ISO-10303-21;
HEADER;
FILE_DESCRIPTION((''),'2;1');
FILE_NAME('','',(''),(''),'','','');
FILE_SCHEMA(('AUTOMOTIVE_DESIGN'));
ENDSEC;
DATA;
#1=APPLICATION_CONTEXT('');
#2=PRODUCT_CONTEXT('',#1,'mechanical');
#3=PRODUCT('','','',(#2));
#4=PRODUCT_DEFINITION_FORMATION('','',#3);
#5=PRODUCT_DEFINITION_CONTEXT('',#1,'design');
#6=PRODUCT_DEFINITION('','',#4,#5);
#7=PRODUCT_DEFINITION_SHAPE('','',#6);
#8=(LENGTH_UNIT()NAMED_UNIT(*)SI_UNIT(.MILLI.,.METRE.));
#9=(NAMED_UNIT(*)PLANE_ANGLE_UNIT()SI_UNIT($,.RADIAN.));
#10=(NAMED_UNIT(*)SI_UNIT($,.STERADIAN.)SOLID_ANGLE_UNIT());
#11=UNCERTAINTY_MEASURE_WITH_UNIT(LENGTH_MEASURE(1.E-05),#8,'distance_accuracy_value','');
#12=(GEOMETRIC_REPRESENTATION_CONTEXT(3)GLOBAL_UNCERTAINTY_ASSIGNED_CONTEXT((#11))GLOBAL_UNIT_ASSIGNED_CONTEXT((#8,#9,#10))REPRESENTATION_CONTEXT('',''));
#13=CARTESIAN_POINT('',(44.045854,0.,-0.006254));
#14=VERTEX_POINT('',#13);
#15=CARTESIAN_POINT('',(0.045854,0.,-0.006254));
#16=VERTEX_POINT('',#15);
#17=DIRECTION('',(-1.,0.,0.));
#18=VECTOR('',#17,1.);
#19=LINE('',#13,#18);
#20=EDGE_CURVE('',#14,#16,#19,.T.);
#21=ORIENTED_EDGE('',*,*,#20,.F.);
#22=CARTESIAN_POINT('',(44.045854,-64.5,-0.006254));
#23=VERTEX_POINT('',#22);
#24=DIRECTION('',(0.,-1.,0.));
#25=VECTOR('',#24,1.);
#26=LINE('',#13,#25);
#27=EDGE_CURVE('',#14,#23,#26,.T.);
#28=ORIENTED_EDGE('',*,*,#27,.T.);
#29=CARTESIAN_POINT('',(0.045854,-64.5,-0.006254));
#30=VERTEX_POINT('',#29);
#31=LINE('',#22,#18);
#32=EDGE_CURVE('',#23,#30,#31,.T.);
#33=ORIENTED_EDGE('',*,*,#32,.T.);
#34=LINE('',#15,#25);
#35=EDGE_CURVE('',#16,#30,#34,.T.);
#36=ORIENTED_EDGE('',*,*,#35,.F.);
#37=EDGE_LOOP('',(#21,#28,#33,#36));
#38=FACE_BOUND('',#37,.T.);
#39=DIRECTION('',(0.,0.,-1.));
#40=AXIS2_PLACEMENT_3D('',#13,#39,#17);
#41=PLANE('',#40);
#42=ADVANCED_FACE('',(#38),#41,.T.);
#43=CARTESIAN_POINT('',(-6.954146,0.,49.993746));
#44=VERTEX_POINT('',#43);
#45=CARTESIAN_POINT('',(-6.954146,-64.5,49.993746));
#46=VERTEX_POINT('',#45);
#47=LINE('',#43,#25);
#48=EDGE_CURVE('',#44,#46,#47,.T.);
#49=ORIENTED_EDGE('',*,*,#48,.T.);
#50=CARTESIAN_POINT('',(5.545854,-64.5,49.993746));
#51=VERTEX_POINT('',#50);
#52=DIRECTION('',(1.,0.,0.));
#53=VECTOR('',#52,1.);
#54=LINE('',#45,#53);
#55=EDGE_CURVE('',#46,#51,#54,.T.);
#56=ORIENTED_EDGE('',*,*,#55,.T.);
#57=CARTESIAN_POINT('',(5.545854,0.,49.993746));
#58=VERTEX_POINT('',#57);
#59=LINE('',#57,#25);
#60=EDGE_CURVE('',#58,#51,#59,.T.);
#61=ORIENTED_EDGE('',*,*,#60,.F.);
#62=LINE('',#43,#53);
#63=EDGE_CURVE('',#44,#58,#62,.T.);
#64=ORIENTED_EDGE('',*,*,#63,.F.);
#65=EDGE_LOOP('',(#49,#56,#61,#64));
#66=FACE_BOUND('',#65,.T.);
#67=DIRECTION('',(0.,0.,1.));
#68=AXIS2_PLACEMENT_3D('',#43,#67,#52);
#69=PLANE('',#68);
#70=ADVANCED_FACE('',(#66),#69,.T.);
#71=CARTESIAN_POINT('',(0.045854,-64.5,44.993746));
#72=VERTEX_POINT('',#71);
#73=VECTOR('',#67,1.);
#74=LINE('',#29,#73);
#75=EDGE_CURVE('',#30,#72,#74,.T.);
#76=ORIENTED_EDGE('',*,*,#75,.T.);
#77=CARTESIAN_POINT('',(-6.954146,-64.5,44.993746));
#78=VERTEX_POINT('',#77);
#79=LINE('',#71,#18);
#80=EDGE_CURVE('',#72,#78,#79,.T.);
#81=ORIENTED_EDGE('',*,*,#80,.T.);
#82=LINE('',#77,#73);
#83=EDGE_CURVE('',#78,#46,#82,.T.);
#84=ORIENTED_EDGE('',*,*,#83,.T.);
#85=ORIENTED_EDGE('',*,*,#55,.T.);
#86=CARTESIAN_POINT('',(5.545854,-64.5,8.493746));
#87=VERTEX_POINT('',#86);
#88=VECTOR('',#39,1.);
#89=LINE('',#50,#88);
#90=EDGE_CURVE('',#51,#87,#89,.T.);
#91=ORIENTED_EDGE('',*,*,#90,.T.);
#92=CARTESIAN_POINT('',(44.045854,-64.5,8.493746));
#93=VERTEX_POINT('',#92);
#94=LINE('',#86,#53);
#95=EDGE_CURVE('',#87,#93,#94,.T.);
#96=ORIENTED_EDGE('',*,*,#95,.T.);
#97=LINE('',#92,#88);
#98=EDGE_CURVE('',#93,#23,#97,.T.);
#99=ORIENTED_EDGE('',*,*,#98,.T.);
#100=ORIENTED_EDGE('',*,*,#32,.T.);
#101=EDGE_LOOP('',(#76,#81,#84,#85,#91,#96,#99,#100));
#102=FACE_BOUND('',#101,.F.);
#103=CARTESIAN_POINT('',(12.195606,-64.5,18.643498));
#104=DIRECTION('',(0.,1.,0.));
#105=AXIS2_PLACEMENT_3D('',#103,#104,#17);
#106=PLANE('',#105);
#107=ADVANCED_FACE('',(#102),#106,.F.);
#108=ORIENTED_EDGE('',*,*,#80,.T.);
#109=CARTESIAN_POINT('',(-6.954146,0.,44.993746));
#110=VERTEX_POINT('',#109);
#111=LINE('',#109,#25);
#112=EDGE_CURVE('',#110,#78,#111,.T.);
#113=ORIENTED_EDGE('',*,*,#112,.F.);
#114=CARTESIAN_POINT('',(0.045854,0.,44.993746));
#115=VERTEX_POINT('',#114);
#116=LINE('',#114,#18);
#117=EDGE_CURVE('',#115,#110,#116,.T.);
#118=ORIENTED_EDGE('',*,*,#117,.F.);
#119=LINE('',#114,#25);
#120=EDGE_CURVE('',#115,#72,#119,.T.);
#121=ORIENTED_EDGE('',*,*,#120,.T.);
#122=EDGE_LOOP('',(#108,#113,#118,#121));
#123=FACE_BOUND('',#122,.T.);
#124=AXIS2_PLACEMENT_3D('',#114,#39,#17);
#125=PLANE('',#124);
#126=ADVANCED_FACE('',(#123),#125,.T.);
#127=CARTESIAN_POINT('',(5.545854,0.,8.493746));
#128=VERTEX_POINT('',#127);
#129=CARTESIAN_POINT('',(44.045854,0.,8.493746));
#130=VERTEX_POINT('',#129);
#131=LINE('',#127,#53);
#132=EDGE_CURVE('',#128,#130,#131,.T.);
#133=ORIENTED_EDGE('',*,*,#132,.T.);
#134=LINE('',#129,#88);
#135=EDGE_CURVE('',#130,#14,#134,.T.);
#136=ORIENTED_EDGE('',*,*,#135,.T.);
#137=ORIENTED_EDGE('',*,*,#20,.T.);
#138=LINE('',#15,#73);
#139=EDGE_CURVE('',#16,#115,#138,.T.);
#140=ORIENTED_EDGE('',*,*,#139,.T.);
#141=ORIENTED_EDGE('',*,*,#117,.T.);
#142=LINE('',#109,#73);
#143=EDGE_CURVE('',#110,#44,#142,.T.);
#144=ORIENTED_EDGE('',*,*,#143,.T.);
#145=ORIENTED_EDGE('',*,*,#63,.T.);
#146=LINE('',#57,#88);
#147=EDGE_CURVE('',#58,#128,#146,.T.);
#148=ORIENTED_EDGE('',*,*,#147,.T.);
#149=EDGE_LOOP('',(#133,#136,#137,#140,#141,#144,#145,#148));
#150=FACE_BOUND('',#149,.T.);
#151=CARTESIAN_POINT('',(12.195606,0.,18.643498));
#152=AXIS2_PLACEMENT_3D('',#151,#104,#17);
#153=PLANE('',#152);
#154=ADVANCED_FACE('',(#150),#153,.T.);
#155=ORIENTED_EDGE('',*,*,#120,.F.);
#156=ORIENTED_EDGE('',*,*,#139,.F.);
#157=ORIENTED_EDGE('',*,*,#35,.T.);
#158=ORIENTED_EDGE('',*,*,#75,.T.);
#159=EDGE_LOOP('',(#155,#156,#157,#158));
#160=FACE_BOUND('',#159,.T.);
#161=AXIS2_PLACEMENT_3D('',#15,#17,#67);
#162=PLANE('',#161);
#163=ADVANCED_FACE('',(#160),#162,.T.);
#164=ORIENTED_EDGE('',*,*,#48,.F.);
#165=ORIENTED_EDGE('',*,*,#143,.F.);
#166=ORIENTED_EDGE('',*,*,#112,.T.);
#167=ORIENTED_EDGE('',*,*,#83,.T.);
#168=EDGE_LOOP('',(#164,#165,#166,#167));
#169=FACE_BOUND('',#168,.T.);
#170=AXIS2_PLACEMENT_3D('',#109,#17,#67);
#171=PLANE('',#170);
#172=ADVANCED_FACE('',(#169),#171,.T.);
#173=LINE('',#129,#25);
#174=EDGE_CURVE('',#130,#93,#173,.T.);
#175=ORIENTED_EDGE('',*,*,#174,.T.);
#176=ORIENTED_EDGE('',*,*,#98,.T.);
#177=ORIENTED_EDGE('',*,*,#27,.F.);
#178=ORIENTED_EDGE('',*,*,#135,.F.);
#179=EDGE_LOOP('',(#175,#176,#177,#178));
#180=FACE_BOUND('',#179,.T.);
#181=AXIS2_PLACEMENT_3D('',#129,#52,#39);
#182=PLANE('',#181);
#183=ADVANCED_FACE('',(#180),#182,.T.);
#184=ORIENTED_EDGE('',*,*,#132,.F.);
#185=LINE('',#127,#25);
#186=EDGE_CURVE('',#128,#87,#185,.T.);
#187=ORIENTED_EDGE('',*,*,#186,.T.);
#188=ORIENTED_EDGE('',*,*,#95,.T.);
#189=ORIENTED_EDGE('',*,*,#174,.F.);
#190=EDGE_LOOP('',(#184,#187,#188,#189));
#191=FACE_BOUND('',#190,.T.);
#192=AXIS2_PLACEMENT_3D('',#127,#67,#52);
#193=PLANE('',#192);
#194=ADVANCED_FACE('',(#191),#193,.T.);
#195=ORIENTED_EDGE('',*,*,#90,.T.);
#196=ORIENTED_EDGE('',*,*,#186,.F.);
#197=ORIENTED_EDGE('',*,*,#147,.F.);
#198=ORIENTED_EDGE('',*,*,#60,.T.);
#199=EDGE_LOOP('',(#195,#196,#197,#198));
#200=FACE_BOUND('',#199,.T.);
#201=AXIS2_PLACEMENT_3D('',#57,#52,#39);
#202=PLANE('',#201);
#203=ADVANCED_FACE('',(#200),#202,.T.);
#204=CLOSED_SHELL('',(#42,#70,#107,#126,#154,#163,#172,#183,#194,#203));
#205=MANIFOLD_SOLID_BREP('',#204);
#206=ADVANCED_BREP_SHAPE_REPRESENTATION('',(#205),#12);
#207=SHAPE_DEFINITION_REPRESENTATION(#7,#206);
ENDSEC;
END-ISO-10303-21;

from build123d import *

# Parameters (mm, degrees)
PAD_DEPTH = 64.5


with BuildPart() as part:
    # Sketch → Pad (new body)
    with BuildSketch(Plane.XZ):
        Polygon((0.045854, -0.006254), (0.045854, 44.993746), (-6.954146, 44.993746), (-6.954146, 49.993746), (5.545854, 49.993746), (5.545854, 8.493746), (44.045854, 8.493746), (44.045854, -0.006254), align=None)
    extrude(amount=PAD_DEPTH)


solid = part.part
